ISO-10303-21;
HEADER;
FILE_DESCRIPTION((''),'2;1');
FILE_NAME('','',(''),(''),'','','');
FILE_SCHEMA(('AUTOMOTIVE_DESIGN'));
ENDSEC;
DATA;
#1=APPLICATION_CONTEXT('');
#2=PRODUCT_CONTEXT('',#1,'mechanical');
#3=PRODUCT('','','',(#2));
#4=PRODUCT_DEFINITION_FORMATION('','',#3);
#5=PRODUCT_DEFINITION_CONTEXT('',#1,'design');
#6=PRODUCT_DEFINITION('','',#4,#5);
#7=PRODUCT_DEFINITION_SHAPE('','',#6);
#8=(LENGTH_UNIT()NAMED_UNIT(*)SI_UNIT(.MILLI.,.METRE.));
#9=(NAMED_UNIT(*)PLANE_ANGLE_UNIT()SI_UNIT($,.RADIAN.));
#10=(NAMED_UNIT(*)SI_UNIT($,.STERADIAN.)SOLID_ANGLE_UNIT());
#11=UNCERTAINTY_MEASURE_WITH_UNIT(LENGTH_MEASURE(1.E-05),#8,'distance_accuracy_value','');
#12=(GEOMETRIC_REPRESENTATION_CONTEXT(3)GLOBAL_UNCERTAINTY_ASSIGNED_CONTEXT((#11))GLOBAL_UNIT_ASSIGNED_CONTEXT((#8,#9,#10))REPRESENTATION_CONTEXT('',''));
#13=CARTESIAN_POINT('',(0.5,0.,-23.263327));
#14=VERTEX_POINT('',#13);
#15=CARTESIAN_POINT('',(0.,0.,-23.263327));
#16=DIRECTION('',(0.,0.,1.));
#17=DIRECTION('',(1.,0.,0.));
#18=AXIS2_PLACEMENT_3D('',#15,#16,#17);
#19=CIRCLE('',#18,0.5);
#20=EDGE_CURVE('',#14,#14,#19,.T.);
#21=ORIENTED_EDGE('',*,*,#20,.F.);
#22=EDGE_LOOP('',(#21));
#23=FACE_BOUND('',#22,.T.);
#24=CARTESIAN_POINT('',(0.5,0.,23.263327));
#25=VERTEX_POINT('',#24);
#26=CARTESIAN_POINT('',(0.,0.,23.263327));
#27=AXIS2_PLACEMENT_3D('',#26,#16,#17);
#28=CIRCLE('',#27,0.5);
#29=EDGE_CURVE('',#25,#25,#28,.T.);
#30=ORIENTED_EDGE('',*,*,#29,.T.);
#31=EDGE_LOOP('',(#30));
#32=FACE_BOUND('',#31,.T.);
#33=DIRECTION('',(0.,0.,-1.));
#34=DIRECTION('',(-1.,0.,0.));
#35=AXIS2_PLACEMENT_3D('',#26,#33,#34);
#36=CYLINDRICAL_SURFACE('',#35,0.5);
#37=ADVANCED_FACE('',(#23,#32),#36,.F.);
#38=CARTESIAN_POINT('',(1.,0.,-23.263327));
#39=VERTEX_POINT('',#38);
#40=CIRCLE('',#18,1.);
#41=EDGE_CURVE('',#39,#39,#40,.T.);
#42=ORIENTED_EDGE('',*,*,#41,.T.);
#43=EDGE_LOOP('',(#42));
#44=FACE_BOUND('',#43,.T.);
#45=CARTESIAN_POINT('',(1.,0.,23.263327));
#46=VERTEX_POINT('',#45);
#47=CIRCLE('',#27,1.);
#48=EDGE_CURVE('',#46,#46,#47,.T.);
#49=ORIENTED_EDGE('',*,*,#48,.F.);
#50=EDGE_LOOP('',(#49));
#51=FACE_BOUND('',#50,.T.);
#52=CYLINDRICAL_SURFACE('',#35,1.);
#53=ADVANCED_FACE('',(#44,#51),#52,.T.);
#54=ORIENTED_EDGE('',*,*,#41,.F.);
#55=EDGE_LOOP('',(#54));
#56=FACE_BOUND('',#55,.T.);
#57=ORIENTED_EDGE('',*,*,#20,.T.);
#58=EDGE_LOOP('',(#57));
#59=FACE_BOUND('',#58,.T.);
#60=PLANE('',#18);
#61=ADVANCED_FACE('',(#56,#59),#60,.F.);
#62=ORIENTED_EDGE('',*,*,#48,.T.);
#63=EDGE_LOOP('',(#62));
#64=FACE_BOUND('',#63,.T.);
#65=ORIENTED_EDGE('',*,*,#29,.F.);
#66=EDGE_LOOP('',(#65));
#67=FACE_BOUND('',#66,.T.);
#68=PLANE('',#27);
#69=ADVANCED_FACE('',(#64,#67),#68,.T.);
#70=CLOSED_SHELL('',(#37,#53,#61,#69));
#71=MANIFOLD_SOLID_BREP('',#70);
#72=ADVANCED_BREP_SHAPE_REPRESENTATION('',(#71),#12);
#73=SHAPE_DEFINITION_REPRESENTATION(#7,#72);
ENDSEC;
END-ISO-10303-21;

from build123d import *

# Parameters (mm, degrees)
CARBON_TUBE_REVB_START = -23.263326625
SKETCH1_R              = 1
SKETCH1_R_2            = 0.5
CARBON_TUBE_REVB_DEPTH = 46.52665325


with BuildPart() as part:
    # Sketch1 → Carbon_Tube_RevB (new body)
    with BuildSketch(Plane.XY.offset(CARBON_TUBE_REVB_START)):
        Circle(SKETCH1_R)
        Circle(SKETCH1_R_2, mode=Mode.SUBTRACT)
    extrude(amount=CARBON_TUBE_REVB_DEPTH)


solid = part.part
